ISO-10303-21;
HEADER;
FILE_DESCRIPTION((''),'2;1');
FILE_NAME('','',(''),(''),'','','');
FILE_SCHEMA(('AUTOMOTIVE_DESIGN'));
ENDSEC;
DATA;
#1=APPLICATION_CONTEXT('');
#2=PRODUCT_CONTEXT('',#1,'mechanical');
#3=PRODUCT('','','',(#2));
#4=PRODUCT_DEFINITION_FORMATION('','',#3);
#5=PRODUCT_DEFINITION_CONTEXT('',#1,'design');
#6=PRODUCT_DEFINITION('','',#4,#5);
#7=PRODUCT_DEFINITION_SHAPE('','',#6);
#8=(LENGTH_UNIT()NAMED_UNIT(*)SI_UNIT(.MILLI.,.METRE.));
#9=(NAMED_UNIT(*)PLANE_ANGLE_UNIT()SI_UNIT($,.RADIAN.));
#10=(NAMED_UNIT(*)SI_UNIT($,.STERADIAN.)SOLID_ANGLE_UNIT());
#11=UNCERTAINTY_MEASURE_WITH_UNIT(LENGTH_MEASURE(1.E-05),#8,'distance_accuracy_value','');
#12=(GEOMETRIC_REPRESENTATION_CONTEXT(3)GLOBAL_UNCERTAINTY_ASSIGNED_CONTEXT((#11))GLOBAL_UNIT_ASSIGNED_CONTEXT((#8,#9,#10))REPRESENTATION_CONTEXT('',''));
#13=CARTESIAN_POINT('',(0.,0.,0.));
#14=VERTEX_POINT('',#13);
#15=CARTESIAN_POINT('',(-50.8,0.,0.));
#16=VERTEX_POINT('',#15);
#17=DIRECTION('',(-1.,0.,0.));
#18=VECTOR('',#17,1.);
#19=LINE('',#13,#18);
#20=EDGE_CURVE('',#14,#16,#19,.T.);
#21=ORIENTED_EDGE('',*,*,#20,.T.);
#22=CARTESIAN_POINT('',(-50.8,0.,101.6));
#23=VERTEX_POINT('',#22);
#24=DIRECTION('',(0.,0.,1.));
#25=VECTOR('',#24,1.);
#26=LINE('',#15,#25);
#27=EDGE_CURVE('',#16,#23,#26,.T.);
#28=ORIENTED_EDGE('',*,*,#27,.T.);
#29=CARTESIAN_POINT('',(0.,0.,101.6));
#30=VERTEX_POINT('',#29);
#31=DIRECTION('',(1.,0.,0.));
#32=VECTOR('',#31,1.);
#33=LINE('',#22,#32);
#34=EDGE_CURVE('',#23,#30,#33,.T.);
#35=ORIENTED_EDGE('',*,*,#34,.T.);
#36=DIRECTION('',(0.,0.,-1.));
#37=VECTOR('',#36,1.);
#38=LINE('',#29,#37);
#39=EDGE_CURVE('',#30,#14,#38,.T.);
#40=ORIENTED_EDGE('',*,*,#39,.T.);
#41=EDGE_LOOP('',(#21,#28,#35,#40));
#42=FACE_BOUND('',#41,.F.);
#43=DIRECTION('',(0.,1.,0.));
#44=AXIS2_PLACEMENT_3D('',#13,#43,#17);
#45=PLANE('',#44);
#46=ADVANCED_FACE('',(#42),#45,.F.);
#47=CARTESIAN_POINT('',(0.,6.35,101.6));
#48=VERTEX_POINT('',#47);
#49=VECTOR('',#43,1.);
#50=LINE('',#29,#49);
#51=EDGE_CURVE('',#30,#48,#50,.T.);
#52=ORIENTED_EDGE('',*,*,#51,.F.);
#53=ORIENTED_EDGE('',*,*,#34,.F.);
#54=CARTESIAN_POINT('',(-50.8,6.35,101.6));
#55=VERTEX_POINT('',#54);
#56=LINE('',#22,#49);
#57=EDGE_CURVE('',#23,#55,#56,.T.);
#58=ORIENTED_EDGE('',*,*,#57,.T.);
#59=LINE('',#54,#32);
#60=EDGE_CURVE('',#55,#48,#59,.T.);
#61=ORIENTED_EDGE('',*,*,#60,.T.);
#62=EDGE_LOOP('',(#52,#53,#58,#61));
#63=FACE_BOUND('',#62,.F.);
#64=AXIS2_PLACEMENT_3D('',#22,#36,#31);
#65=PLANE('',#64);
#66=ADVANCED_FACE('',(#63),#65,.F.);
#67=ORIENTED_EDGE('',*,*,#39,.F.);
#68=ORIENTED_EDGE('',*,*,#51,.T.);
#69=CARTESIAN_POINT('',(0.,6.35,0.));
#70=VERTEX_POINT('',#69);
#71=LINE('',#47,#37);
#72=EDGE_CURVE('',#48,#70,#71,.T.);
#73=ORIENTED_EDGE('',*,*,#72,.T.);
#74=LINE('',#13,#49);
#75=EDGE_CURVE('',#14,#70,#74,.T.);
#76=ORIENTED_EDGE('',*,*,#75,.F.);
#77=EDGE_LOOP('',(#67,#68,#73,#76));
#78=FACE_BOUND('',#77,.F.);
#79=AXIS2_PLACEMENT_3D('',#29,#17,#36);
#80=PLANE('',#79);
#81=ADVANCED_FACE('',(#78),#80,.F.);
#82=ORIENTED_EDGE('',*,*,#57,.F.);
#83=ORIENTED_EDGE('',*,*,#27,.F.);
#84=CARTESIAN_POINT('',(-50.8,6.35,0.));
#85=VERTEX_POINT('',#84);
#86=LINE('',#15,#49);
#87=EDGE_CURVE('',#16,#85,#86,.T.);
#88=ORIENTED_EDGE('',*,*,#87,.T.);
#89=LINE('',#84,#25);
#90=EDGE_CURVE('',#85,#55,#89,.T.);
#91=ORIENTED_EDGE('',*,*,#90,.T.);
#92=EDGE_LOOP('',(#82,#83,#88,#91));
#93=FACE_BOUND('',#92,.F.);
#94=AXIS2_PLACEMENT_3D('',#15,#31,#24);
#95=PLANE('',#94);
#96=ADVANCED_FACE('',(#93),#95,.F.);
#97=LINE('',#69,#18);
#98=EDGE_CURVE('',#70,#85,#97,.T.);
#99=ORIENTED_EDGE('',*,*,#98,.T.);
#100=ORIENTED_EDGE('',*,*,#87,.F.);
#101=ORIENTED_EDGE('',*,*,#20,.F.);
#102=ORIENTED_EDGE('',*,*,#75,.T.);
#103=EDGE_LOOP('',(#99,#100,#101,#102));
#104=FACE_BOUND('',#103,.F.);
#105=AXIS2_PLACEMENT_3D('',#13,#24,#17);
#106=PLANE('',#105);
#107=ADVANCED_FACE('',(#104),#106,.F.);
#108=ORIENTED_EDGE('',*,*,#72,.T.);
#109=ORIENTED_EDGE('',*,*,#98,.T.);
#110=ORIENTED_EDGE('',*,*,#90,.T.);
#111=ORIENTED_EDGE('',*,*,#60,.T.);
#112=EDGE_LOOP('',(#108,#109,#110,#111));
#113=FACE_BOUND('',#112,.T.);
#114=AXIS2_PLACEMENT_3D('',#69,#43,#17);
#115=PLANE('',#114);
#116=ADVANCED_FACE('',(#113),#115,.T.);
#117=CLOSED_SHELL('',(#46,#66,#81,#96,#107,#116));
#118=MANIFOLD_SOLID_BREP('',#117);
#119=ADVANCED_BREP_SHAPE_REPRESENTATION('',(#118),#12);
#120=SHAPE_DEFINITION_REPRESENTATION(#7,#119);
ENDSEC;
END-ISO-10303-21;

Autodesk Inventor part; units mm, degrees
ref_plane "YZ Plane" through (0, 0, 0) normal (1, 0, 0) x (0, 1, 0)
ref_plane "XZ Plane" through (0, 0, 0) normal (0, 1, 0) x (-1, 0, 0)
ref_plane "XY Plane" through (0, 0, 0) normal (0, 0, 1) x (1, 0, 0)
sketch "Sketch1" plane through (0, 0, 0) normal (0, 1, 0) x (-1, 0, 0)
  line L0 (0, 0) -> (50.8, 0)
  line L1 (50.8, 0) -> (50.8, 101.6)
  line L2 (50.8, 101.6) -> (0, 101.6)
  line L3 (0, 101.6) -> (0, 0)
  dimension "d0" = 50.8
  dimension "d1" = 101.6
extrude "Extrusion1" add sketch "Sketch1" along normal blind 6.35
properties part number "CircuitBoard"
